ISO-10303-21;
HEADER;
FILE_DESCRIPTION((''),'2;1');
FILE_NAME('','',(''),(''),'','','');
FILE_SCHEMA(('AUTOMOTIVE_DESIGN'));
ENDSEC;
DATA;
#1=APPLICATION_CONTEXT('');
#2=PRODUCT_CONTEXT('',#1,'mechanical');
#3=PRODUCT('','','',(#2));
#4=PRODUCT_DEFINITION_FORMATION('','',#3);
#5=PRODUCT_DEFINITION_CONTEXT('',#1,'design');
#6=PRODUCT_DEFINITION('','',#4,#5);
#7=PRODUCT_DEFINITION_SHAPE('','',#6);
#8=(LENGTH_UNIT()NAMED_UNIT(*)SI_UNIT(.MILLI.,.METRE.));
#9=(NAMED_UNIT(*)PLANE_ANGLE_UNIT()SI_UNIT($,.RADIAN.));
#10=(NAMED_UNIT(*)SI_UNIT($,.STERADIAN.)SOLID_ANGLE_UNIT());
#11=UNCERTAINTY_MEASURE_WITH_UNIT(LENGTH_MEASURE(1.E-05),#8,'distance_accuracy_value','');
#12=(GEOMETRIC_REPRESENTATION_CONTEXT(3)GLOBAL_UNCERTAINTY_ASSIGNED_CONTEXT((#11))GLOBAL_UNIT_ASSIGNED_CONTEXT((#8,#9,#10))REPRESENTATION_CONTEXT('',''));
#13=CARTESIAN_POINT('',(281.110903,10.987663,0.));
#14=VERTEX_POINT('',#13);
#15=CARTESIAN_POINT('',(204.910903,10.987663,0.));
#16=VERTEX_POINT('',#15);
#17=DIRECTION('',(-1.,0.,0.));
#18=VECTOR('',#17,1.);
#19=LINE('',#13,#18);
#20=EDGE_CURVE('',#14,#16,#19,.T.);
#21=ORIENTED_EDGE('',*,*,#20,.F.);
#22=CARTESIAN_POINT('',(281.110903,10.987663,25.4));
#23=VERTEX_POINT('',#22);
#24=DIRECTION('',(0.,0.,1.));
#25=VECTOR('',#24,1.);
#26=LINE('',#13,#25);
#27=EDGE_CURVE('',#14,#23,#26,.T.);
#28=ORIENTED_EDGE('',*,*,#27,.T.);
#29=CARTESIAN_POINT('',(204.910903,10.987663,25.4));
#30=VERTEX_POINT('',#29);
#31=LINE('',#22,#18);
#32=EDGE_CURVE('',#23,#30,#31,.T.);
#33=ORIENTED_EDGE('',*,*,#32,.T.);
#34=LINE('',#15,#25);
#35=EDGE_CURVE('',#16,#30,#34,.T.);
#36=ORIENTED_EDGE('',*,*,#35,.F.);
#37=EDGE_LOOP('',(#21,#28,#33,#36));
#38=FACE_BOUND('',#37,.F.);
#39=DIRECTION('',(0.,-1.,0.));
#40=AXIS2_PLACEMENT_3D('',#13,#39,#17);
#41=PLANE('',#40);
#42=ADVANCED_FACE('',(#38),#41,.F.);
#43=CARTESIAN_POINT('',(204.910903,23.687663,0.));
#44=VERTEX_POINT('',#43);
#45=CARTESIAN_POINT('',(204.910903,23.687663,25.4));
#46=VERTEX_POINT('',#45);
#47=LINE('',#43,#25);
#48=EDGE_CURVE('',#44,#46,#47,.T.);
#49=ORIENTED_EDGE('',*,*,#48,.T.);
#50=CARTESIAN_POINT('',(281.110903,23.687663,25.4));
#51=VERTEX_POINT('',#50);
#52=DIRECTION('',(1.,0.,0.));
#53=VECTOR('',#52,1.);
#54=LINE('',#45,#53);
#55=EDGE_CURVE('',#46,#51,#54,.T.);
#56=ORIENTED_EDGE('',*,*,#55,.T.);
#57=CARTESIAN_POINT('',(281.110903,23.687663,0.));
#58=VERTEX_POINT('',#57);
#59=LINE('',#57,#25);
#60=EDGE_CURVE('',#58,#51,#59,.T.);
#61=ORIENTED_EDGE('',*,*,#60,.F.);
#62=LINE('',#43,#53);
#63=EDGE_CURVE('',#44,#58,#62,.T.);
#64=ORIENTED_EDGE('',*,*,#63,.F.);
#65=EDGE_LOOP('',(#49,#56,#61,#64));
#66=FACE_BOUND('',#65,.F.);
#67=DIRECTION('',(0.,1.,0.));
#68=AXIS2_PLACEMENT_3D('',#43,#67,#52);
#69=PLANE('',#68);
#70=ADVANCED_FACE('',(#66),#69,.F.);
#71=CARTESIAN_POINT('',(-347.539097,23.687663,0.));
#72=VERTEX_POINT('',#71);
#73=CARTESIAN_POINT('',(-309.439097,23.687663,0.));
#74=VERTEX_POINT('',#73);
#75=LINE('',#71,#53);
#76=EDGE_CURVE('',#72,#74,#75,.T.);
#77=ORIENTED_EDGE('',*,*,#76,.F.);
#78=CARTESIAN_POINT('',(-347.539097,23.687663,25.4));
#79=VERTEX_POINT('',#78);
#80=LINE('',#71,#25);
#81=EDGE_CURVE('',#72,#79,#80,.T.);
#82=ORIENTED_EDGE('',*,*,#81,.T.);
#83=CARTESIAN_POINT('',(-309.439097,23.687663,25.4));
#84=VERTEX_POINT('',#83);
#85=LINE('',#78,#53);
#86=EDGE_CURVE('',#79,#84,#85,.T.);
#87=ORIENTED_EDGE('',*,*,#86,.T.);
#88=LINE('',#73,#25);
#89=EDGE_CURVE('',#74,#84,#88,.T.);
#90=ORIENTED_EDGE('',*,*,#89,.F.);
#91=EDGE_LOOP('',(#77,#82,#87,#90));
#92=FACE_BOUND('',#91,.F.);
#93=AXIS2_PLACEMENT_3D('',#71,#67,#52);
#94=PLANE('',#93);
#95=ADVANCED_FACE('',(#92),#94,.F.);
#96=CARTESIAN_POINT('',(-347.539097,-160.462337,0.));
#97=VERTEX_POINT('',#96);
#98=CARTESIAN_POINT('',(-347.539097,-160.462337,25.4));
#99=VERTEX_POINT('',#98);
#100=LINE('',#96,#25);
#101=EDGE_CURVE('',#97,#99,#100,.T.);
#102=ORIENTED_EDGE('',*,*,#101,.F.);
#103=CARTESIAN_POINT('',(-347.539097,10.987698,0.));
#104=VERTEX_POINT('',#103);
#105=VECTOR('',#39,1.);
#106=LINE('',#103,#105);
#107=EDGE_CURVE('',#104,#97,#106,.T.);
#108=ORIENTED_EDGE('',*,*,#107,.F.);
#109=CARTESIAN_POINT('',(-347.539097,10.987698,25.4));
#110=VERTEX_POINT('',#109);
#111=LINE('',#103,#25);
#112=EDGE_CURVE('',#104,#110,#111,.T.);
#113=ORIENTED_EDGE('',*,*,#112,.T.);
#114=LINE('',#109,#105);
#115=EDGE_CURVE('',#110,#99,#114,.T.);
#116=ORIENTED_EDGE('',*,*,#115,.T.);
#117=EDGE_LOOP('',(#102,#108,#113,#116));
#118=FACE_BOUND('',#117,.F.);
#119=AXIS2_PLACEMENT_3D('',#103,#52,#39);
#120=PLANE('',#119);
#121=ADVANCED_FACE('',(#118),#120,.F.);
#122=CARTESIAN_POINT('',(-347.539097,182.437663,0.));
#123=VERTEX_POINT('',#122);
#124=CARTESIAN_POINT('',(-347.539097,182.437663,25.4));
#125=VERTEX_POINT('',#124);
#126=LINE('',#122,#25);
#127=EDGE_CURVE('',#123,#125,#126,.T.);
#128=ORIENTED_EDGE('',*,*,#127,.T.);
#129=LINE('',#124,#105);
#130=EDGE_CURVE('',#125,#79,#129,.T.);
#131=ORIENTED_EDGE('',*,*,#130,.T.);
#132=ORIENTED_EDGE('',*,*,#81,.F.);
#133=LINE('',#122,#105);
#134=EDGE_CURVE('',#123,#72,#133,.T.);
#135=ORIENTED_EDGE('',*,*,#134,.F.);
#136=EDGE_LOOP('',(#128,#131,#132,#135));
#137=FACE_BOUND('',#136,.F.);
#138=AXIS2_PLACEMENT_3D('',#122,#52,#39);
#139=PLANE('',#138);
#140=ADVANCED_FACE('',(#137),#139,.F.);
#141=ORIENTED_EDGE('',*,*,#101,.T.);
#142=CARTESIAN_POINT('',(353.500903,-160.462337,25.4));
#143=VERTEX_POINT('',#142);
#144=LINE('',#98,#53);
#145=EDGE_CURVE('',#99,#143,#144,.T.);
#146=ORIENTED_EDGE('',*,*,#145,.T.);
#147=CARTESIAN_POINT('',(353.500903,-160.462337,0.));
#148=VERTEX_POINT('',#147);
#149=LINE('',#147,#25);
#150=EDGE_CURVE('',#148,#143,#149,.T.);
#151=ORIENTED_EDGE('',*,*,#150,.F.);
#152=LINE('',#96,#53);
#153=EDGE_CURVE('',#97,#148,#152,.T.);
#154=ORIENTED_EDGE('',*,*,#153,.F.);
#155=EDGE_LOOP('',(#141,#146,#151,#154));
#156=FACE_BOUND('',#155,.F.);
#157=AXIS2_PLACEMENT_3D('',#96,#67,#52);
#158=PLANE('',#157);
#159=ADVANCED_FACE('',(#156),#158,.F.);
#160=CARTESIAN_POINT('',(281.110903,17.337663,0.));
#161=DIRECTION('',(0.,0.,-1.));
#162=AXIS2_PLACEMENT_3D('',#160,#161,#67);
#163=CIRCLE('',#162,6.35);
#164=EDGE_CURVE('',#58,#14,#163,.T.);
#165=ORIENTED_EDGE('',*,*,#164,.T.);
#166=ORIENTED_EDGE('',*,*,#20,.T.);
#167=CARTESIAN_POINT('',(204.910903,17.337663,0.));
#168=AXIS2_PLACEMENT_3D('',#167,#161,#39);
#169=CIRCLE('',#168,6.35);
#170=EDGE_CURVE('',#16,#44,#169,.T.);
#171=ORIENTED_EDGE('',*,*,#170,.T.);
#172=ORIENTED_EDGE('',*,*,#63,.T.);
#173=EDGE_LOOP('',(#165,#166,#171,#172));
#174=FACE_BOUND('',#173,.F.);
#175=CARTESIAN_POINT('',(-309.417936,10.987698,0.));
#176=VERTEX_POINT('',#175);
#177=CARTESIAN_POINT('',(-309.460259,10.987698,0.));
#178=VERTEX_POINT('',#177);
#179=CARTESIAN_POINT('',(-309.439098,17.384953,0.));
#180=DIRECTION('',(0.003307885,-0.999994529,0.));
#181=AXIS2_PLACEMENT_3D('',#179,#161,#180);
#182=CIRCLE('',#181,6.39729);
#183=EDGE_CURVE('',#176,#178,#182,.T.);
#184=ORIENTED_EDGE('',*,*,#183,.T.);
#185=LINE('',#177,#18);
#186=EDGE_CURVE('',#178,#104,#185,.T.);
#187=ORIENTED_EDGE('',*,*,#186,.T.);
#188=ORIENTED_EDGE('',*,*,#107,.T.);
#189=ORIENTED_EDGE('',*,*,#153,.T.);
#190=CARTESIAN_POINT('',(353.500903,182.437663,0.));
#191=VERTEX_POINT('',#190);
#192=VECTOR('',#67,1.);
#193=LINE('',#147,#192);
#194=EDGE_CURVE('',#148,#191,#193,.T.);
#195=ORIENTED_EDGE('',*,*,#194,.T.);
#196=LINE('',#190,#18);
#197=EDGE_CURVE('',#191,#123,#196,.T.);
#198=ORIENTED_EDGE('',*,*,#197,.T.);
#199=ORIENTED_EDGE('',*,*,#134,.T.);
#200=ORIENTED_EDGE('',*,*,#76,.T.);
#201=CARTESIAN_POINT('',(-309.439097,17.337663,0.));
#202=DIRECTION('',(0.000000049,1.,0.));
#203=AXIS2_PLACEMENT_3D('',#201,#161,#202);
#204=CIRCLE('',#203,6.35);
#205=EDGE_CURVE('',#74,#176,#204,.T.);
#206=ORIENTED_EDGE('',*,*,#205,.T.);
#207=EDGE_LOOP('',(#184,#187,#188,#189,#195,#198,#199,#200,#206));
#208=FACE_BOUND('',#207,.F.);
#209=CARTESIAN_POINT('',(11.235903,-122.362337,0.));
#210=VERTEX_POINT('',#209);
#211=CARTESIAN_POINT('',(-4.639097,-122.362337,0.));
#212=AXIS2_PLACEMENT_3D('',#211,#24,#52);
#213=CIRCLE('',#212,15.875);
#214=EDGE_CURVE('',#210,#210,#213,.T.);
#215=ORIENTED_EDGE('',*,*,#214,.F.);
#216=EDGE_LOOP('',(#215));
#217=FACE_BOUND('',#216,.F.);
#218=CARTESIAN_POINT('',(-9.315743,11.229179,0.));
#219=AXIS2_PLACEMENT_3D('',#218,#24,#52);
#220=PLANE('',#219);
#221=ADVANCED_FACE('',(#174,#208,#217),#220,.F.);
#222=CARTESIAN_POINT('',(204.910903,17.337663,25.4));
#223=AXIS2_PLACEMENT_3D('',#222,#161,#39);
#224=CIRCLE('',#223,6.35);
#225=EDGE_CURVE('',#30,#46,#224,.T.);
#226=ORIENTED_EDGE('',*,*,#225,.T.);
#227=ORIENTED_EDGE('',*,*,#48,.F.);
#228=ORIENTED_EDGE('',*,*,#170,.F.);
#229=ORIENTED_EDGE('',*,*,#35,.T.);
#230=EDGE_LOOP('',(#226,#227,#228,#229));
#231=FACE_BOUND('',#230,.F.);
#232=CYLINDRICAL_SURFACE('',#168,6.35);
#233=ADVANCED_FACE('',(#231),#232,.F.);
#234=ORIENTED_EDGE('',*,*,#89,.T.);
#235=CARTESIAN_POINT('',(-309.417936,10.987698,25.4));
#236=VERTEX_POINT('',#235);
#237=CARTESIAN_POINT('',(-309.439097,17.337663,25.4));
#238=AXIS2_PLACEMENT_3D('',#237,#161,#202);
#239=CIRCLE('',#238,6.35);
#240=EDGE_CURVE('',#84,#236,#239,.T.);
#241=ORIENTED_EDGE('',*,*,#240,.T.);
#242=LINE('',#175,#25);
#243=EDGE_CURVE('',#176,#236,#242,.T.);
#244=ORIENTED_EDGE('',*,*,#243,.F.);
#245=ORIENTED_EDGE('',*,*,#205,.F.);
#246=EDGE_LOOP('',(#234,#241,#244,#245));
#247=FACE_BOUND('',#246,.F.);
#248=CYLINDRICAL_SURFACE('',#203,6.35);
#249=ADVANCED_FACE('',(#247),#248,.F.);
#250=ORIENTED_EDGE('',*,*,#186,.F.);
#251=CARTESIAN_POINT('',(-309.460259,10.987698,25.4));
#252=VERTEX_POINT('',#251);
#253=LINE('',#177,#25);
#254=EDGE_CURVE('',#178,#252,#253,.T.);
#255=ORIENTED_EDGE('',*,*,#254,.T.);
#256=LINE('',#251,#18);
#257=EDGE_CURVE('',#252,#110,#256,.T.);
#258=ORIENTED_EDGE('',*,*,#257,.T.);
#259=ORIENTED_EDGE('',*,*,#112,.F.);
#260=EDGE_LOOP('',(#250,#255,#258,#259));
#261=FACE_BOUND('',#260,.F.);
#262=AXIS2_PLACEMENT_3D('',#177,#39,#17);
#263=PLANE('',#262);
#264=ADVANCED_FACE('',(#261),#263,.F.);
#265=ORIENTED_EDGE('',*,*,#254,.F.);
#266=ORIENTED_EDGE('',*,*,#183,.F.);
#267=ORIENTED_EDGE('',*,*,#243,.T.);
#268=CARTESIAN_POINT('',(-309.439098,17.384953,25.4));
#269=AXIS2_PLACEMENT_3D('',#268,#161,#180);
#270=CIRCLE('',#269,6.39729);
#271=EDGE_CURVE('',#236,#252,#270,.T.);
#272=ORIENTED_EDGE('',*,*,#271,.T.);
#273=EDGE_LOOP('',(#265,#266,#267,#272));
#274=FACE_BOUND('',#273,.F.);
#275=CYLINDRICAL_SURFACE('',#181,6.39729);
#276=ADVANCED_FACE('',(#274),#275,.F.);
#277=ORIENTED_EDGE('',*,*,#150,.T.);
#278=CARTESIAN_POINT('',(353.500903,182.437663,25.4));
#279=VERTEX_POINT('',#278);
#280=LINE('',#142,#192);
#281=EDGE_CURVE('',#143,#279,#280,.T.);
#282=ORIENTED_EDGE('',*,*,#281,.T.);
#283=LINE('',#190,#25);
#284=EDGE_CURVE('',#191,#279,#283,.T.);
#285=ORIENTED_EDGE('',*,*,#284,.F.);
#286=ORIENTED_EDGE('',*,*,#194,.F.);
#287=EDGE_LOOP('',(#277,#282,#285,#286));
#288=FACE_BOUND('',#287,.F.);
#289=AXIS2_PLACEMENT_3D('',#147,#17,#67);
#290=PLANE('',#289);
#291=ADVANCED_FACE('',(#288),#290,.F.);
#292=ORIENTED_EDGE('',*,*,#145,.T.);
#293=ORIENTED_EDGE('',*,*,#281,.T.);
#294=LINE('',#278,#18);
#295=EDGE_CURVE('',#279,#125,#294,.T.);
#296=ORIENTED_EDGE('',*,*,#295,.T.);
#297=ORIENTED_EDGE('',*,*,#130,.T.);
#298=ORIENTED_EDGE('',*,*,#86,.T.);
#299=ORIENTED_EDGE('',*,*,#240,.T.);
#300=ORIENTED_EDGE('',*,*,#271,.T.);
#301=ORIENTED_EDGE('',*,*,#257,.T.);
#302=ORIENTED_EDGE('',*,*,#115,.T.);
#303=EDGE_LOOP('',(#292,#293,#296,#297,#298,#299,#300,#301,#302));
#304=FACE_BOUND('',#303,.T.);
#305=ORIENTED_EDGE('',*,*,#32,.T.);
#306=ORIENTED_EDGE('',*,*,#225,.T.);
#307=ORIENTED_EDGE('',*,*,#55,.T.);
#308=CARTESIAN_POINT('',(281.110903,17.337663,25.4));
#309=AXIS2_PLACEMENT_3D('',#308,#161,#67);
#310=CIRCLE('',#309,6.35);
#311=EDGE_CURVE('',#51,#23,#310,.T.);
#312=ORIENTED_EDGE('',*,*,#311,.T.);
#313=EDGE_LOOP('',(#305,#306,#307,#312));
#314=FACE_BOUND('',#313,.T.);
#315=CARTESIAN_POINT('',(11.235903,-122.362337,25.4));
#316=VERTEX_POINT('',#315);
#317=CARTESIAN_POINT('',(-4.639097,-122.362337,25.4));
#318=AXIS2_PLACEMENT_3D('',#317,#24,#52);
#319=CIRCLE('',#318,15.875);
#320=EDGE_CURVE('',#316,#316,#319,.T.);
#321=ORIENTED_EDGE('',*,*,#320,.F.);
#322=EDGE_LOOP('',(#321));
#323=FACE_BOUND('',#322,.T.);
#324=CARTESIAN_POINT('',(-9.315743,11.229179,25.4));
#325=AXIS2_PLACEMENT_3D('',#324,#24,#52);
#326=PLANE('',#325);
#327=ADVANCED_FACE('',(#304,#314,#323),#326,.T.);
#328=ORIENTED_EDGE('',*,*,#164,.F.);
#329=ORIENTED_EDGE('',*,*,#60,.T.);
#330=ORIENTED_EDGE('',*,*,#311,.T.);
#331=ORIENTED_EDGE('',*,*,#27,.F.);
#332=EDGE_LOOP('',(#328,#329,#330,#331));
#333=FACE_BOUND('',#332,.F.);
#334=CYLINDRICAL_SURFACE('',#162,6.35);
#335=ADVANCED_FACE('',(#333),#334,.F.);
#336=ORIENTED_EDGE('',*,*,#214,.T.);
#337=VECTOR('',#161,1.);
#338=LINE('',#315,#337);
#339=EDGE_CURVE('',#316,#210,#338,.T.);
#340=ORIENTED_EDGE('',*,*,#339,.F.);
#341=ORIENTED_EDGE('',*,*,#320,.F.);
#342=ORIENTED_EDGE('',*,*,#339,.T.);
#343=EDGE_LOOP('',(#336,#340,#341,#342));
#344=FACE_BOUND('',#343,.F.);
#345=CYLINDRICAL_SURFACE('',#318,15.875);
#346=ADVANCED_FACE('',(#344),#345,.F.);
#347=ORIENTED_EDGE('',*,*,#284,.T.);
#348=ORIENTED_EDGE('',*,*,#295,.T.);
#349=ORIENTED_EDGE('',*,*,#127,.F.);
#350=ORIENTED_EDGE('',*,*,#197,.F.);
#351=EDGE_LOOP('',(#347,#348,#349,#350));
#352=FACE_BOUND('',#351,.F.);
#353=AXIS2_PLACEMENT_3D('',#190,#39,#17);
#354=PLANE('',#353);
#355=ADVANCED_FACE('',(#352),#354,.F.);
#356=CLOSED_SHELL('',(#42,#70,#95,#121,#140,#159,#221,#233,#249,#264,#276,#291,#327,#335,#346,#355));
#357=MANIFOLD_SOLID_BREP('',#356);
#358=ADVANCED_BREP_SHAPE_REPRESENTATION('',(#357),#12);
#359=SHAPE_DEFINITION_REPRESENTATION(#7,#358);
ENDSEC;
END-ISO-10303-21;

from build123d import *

# Parameters (mm, degrees)
F1_DEPTH = 25.4
F2_R     = 15.875
F3_DEPTH = 25.401


with BuildPart() as f1:
    # F0 (on Top) → F1 (new body)
    with BuildSketch(Plane.XY):
        with BuildLine():
            Line((353.500903, 182.437663), (-347.539097, 182.437663))
            Line((-347.539097, 182.437663), (-347.539097, 23.687663))
            Line((-347.539097, 23.687663), (-309.439097, 23.687663))
            ThreePointArc((-309.439097, 23.687663), (-303.089106, 17.348244), (-309.417936, 10.987698))
            ThreePointArc((-309.417936, 10.987698), (-309.439097, 10.987663), (-309.460259, 10.987698))
            Line((-309.460259, 10.987698), (-347.539097, 10.987698))
            Line((-347.539097, 10.987698), (-347.539097, -160.462337))
            Line((-347.539097, -160.462337), (353.500903, -160.462337))
            Line((353.500903, -160.462337), (353.500903, 182.437663))
        make_face()
        with BuildLine():
            ThreePointArc((204.910903, 10.987663), (198.560903, 17.337663), (204.910903, 23.687663))
            Line((204.910903, 23.687663), (281.110903, 23.687663))
            ThreePointArc((281.110903, 23.687663), (287.460903, 17.337663), (281.110903, 10.987663))
            Line((281.110903, 10.987663), (204.910903, 10.987663))
        make_face(mode=Mode.SUBTRACT)
    extrude(amount=F1_DEPTH)

    # F2 (on face) → F3 (cut, through all)
    with BuildSketch(Plane.XY.offset(25.4)):
        with Locations((-4.639097, -122.362337)):
            Circle(F2_R)
    extrude(amount=-F3_DEPTH, mode=Mode.SUBTRACT)


solid = f1.part
